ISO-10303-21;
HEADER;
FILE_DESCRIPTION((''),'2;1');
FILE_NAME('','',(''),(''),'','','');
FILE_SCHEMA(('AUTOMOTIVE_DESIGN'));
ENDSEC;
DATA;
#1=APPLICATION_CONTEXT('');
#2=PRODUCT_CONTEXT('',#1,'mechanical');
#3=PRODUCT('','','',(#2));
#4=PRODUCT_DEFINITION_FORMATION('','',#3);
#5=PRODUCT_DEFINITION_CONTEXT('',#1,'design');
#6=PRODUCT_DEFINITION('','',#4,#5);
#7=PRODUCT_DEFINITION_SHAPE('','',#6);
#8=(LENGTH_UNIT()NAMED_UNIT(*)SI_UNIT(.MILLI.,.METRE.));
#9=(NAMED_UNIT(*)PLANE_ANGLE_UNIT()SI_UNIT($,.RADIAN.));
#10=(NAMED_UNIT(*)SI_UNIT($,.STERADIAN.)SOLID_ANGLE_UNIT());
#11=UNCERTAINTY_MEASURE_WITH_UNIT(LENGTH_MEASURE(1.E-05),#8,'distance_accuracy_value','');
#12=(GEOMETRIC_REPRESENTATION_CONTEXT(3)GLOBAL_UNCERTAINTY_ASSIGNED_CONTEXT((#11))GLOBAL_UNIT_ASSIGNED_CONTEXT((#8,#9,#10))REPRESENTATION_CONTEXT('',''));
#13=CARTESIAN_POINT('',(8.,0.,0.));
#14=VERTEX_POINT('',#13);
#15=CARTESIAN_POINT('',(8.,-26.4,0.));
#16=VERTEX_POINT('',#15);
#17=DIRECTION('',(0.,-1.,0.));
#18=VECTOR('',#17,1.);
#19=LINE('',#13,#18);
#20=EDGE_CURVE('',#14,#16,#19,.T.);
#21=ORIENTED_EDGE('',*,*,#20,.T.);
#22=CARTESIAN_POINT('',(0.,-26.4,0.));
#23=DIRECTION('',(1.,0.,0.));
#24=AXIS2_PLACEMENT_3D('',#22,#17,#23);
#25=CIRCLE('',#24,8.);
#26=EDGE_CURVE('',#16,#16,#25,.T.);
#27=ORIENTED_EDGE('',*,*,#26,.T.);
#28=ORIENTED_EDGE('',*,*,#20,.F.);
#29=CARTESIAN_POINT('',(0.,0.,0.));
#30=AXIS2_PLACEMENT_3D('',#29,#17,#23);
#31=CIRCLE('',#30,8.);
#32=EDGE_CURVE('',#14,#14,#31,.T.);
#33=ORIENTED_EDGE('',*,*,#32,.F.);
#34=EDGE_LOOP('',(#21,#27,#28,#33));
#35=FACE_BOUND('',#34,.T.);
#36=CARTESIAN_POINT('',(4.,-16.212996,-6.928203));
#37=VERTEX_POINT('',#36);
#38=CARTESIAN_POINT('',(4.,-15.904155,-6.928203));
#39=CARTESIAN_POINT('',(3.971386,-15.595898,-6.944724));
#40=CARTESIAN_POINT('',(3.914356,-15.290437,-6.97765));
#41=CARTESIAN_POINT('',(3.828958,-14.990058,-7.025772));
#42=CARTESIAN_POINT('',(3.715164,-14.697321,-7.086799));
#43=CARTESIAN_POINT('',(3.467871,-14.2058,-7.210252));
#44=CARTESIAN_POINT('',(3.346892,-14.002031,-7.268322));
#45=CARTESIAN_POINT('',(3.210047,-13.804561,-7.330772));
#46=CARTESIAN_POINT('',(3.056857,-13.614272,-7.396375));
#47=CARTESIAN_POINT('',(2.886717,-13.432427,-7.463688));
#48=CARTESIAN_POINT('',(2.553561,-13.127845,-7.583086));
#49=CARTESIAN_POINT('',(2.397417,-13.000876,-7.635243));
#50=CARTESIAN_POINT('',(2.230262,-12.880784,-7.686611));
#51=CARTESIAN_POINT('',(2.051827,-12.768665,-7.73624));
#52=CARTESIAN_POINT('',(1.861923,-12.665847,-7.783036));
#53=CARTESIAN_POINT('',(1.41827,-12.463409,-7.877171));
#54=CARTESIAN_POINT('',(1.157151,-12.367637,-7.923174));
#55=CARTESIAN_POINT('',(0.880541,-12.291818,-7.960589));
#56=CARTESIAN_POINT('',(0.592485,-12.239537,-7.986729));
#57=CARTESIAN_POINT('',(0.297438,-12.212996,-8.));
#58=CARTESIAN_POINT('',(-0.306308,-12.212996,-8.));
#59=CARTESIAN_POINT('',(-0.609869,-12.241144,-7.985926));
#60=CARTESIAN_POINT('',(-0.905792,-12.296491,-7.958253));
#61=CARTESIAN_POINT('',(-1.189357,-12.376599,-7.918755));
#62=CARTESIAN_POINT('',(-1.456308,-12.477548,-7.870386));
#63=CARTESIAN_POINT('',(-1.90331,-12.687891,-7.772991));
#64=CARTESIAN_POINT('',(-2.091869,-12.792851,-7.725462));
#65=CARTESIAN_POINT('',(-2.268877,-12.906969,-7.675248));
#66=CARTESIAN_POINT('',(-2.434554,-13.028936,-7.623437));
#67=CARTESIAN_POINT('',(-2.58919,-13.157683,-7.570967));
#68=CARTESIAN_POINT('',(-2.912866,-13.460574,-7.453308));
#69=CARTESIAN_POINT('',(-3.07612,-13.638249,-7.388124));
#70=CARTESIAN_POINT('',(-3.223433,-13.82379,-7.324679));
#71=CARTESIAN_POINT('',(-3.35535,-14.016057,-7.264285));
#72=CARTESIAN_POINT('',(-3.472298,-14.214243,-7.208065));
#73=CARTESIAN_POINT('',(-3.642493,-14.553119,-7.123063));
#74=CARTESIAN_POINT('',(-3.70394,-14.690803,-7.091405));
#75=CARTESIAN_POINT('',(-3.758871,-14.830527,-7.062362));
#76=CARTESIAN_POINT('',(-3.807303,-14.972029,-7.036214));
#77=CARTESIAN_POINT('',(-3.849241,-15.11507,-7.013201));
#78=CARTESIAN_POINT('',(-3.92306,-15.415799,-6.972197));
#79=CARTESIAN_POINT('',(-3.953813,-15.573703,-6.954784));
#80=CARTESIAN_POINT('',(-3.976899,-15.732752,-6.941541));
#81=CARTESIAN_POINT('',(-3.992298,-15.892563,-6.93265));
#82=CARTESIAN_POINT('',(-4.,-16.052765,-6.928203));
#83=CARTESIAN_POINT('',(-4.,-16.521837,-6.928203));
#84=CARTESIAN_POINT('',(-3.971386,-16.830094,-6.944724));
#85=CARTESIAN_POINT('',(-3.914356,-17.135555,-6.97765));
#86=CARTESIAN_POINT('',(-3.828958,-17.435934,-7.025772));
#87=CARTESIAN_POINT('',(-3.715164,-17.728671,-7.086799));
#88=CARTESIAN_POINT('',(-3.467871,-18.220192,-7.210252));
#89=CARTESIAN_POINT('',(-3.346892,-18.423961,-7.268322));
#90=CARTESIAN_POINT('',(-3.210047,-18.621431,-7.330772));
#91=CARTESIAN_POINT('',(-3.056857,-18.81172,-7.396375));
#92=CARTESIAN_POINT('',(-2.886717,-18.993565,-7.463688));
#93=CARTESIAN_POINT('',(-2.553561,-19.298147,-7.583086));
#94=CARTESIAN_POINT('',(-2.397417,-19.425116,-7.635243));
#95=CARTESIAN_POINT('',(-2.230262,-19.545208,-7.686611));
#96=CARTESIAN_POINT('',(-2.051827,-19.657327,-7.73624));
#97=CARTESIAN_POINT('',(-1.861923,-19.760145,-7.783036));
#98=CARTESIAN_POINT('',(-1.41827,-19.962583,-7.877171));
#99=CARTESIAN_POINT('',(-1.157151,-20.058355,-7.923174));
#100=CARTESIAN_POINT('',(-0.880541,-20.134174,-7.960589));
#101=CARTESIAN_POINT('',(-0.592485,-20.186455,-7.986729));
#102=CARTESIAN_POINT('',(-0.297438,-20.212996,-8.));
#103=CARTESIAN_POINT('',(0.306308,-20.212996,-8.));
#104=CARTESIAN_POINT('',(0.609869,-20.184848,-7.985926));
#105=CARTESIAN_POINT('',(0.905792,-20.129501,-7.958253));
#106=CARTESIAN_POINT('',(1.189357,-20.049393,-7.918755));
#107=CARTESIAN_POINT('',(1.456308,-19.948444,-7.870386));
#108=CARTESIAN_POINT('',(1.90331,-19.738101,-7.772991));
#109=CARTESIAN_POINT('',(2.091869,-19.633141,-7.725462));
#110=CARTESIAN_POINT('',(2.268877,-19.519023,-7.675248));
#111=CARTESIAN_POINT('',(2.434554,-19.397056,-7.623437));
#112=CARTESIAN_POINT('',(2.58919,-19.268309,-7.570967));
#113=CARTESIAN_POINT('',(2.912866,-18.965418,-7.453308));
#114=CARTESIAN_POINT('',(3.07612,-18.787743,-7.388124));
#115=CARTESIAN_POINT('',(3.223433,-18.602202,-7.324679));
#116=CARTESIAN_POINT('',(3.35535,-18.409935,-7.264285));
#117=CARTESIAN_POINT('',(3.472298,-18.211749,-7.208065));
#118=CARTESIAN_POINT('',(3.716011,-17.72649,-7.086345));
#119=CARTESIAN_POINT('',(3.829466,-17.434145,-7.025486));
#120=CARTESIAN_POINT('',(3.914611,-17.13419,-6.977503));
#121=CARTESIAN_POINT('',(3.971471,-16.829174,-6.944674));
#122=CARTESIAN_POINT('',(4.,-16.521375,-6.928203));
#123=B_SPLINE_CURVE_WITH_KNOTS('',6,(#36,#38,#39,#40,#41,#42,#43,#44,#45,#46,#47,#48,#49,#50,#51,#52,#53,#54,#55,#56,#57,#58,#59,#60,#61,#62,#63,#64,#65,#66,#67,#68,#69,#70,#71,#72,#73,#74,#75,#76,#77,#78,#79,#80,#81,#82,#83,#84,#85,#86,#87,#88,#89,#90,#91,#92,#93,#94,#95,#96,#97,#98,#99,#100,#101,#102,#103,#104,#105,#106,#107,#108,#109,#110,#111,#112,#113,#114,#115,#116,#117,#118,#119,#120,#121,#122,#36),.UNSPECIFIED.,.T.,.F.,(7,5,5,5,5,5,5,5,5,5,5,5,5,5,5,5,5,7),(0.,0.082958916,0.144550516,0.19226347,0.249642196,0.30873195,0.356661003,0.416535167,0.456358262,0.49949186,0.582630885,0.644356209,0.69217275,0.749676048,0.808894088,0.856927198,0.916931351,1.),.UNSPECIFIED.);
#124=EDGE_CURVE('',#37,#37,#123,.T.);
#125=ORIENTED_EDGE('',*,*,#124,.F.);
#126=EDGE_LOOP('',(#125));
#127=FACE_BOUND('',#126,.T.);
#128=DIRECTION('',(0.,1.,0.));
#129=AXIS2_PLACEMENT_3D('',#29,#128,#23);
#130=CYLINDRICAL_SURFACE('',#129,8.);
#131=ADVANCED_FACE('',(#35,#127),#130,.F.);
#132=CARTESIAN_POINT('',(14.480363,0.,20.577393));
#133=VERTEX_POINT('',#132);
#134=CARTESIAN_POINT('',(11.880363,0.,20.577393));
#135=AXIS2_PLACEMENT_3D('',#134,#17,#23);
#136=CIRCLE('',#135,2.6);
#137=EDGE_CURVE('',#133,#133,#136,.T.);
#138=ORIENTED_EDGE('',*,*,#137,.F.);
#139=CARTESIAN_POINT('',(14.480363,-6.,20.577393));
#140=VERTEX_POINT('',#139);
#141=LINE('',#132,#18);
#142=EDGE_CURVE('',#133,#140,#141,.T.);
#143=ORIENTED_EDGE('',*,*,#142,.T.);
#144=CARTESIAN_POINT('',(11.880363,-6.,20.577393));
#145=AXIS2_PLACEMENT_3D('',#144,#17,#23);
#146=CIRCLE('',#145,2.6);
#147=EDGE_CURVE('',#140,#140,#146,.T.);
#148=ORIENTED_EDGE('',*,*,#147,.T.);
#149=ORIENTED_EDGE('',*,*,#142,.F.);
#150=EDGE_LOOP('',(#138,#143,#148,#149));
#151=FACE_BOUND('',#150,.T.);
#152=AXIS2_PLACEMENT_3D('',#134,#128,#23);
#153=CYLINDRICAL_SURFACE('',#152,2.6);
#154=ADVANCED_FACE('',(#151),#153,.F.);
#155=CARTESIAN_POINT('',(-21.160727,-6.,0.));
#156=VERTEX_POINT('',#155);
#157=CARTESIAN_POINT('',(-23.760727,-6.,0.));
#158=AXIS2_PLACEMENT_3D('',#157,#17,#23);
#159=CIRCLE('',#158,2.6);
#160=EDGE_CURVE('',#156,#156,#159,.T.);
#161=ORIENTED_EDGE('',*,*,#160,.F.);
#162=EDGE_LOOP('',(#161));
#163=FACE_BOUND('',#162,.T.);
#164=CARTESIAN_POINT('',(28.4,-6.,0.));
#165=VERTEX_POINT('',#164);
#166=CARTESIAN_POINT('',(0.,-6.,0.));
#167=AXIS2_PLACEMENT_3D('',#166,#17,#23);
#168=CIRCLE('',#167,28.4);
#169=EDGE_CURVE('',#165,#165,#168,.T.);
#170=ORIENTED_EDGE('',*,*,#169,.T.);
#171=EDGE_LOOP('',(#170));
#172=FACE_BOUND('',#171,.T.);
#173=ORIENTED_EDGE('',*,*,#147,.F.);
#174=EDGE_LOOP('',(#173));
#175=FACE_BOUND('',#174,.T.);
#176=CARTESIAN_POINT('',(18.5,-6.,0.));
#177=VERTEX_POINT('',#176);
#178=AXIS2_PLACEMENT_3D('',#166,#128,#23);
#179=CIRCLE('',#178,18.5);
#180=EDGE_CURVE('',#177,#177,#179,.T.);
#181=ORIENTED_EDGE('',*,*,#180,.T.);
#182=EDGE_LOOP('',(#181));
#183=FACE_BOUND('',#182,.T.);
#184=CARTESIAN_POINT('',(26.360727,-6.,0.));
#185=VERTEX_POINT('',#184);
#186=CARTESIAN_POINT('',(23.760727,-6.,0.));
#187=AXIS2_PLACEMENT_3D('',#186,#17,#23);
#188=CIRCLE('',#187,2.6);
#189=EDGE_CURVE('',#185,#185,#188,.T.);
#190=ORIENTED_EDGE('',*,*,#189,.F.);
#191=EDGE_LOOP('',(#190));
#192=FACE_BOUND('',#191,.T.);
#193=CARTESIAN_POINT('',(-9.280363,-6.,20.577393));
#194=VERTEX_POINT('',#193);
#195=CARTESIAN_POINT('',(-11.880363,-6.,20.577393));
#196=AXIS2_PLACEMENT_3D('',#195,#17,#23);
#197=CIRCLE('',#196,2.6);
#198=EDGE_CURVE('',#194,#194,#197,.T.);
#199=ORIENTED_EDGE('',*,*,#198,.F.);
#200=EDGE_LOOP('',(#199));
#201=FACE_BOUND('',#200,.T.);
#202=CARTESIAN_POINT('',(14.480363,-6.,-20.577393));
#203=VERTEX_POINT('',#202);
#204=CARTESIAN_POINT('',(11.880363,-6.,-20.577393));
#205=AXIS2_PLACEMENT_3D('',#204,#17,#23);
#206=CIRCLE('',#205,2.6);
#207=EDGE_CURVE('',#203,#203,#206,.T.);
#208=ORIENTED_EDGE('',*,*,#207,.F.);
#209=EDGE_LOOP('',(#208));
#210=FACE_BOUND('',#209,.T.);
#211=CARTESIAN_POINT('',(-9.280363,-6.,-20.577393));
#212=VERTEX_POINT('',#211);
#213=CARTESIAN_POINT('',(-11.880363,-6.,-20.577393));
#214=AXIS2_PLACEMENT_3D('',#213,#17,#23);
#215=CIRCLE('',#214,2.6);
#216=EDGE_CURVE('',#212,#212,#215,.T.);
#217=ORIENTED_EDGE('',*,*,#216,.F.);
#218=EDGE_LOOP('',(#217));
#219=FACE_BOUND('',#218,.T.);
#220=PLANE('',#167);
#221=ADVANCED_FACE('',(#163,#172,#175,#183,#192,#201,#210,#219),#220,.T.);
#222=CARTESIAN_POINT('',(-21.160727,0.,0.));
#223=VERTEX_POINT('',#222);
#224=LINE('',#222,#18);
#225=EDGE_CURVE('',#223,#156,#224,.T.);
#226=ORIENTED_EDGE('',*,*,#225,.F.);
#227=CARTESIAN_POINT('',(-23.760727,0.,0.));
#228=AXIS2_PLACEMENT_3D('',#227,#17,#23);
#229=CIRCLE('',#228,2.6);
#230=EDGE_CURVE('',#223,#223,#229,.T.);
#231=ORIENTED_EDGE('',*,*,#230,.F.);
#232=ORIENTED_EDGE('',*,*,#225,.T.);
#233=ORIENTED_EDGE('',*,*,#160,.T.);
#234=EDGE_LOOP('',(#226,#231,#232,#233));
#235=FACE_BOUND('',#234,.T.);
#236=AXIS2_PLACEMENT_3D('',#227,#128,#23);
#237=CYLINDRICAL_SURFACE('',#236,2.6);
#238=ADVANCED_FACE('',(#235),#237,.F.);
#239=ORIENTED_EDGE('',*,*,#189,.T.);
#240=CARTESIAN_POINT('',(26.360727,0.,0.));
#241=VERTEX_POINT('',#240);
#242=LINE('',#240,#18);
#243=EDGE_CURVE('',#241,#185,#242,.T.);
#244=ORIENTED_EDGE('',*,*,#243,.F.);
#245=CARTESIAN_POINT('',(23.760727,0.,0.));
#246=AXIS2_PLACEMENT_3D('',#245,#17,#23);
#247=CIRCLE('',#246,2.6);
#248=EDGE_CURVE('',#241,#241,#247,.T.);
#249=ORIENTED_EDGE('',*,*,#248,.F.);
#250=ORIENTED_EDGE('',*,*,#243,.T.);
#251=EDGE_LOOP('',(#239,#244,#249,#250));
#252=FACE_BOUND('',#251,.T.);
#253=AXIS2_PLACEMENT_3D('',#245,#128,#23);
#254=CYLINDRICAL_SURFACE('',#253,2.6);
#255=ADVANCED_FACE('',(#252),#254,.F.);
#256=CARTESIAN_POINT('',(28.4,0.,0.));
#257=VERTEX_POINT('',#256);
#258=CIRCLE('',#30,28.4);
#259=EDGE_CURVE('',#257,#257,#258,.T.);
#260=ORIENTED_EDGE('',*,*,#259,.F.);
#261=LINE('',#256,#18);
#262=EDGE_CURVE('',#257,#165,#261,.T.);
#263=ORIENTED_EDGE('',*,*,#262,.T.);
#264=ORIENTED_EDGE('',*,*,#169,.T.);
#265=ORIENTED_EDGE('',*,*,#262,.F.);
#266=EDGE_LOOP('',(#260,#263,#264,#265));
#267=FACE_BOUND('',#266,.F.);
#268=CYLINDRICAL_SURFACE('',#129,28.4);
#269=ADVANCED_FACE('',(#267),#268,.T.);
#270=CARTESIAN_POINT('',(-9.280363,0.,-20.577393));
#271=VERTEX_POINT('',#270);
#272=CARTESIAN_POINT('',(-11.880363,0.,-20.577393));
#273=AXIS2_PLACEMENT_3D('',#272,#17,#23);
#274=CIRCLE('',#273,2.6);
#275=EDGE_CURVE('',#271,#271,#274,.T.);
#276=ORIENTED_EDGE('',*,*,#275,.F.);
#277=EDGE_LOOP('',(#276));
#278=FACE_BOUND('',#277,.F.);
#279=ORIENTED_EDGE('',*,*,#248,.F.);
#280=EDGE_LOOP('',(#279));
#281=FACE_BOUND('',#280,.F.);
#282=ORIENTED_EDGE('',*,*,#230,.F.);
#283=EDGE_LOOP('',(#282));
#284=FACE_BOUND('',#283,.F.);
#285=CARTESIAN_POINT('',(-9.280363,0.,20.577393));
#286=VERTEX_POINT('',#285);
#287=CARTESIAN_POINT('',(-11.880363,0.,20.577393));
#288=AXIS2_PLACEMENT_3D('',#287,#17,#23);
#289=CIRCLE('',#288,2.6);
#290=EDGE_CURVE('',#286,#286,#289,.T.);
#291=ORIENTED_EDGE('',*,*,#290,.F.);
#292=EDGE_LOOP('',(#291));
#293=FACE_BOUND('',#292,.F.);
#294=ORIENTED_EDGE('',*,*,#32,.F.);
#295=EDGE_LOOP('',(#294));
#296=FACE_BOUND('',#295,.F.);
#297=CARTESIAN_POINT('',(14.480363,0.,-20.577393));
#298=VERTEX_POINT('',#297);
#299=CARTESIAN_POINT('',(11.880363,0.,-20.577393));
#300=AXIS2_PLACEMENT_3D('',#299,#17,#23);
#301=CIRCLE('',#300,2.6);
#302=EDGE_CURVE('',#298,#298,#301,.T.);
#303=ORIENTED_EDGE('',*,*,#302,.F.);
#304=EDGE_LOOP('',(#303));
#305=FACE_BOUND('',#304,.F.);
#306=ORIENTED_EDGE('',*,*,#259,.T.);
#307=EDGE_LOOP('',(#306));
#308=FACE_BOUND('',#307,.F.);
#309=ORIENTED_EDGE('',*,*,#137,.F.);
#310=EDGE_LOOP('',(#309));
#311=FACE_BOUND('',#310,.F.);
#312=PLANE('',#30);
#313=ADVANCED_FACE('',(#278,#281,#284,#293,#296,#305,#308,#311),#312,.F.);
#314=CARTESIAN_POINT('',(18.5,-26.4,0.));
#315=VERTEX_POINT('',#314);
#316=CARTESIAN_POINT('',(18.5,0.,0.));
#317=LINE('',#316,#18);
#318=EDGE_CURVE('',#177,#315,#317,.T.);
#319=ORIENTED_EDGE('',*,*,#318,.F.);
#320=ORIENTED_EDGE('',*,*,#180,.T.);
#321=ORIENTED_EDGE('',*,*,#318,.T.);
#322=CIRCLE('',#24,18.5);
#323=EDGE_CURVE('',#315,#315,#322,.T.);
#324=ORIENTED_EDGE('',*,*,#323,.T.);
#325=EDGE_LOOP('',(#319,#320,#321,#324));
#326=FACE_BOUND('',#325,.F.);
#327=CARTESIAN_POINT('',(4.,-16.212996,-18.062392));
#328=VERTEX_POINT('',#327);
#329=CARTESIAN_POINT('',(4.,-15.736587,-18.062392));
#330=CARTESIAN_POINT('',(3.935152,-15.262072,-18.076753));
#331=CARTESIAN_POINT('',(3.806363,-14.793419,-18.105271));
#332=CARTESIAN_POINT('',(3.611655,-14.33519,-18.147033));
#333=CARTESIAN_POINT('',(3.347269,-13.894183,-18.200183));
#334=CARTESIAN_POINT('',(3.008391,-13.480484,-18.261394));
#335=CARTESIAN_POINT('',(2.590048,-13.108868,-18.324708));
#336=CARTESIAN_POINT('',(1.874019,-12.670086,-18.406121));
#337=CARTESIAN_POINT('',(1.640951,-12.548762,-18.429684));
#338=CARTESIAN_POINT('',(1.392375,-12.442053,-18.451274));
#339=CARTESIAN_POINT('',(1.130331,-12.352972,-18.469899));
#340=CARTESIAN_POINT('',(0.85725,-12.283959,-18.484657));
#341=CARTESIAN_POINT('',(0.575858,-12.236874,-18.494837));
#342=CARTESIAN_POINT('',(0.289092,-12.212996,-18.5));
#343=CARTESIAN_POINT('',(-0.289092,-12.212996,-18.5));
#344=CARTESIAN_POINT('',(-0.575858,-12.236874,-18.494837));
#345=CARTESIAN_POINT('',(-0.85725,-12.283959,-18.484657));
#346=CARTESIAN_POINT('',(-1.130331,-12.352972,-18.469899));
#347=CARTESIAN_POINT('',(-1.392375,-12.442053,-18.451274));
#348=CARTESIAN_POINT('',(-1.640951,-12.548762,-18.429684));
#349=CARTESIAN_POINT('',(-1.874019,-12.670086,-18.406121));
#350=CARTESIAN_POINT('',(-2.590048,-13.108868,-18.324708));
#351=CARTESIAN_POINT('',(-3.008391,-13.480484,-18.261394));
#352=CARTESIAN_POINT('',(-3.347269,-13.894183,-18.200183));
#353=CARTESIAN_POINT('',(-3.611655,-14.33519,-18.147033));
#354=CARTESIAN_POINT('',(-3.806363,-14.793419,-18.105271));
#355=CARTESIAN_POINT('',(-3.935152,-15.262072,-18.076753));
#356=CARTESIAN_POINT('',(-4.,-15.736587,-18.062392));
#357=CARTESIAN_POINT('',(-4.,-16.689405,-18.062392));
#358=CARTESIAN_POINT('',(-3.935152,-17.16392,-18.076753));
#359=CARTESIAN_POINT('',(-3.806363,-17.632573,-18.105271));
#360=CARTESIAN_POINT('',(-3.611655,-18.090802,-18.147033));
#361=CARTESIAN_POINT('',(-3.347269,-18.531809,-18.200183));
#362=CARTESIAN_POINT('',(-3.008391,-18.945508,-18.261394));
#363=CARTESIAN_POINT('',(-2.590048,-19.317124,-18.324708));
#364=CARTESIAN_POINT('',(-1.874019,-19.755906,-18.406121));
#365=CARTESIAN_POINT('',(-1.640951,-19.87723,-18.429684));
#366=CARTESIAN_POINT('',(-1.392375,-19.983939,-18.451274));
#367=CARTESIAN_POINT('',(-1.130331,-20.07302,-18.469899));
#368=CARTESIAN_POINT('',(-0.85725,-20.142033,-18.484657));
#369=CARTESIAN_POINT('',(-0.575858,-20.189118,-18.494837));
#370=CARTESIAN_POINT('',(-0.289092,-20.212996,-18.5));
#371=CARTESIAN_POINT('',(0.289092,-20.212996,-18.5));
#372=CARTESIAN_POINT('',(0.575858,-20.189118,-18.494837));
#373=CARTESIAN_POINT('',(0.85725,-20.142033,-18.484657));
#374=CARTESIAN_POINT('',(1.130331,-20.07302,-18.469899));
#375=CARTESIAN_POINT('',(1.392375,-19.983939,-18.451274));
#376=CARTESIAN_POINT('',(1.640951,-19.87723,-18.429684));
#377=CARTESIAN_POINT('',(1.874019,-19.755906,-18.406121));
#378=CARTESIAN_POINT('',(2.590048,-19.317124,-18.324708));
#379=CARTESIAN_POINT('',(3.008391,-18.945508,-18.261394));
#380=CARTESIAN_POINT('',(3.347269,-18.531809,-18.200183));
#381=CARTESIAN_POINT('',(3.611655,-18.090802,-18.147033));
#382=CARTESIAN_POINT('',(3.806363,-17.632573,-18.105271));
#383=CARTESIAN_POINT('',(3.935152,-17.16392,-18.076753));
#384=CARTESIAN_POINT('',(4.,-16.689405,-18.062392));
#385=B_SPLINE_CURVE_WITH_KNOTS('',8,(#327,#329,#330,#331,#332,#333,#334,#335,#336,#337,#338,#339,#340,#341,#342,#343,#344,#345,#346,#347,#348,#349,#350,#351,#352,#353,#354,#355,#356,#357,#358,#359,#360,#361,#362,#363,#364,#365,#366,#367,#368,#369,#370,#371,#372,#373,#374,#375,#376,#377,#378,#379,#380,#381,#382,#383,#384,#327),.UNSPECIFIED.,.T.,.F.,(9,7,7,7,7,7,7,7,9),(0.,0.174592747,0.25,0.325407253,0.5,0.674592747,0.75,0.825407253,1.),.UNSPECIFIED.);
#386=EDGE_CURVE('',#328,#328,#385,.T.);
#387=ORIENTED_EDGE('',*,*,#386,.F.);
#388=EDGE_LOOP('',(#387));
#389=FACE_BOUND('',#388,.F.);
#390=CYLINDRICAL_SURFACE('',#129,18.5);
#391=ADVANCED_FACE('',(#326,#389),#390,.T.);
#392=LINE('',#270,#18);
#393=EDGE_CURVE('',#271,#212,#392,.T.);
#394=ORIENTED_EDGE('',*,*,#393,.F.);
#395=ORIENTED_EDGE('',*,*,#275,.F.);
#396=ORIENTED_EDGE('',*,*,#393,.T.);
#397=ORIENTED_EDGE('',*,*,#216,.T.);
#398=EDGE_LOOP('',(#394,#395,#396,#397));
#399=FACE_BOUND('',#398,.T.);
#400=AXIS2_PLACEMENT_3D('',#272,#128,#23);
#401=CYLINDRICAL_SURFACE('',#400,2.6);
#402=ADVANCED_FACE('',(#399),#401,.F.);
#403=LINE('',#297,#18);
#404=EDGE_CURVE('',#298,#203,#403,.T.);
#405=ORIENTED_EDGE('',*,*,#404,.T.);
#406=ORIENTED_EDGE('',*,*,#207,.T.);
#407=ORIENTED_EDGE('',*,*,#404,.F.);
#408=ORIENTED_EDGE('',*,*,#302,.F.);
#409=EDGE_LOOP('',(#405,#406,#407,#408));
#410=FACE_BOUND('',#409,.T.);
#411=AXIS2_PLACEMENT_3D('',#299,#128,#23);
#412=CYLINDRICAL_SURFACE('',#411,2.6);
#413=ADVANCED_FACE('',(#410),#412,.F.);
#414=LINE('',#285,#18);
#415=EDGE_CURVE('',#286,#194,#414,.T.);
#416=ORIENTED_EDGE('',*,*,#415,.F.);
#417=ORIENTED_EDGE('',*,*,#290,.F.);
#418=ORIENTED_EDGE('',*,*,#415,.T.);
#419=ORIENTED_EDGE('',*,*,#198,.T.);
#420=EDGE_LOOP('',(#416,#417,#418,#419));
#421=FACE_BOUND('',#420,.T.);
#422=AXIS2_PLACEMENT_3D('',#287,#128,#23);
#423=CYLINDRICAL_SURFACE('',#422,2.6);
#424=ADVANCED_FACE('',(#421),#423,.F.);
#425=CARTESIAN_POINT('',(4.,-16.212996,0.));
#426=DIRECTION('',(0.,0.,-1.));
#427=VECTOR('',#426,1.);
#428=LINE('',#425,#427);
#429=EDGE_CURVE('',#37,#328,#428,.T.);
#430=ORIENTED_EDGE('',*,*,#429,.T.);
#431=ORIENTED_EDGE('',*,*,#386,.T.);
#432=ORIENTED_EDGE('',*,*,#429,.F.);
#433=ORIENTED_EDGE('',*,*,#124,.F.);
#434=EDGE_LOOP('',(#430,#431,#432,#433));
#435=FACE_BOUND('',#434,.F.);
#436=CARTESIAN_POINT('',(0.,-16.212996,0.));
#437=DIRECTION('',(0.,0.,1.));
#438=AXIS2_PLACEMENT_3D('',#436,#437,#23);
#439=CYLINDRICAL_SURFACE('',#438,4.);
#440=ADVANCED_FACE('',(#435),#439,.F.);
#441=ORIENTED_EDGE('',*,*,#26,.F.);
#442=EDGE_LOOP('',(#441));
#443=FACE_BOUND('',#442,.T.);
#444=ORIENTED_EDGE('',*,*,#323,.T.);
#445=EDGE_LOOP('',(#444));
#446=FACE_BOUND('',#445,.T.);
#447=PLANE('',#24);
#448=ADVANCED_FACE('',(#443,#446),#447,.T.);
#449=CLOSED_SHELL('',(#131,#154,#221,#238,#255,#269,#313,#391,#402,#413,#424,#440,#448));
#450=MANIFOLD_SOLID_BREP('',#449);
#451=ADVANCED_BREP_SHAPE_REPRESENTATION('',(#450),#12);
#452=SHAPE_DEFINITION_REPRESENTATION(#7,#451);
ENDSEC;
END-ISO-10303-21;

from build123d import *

# Parameters (mm, degrees)
F1_R     = 18.5
F4_DEPTH = 26.4
F2_R     = 28.4
F5_DEPTH = 6
F0_R     = 8
F6_DEPTH = 26.4
F3_R     = 2.6
F7_DEPTH = 6
F8_R     = 4
F9_DEPTH = 28


with BuildPart() as f4:
    # F1 (on Front) → F4 (new body)
    with BuildSketch(Plane.XZ):
        Circle(F1_R)
    extrude(amount=F4_DEPTH)

    # F2 (on Front) → F5 (join)
    with BuildSketch(Plane.XZ):
        Circle(F2_R)
    extrude(amount=F5_DEPTH)

    # F0 (on Front) → F6 (cut)
    with BuildSketch(Plane.XZ):
        Circle(F0_R)
    extrude(amount=F6_DEPTH, mode=Mode.SUBTRACT)

    # F3 (on Front) → F7 (cut)
    with BuildSketch(Plane.XZ):
        with Locations((-23.760727, 0)):
            Circle(F3_R)
        with Locations((-11.880363, -20.577393)):
            Circle(F3_R)
        with Locations((11.880363, -20.577393)):
            Circle(F3_R)
        with Locations((23.760727, 0)):
            Circle(F3_R)
        with Locations((11.880363, 20.577393)):
            Circle(F3_R)
        with Locations((-11.880363, 20.577393)):
            Circle(F3_R)
    extrude(amount=F7_DEPTH, mode=Mode.SUBTRACT)

    # F8 (on Top) → F9 (cut)
    with BuildSketch(Plane.XY):
        with Locations((0, -16.212996)):
            Circle(F8_R)
    extrude(amount=-F9_DEPTH, mode=Mode.SUBTRACT)


solid = f4.part
